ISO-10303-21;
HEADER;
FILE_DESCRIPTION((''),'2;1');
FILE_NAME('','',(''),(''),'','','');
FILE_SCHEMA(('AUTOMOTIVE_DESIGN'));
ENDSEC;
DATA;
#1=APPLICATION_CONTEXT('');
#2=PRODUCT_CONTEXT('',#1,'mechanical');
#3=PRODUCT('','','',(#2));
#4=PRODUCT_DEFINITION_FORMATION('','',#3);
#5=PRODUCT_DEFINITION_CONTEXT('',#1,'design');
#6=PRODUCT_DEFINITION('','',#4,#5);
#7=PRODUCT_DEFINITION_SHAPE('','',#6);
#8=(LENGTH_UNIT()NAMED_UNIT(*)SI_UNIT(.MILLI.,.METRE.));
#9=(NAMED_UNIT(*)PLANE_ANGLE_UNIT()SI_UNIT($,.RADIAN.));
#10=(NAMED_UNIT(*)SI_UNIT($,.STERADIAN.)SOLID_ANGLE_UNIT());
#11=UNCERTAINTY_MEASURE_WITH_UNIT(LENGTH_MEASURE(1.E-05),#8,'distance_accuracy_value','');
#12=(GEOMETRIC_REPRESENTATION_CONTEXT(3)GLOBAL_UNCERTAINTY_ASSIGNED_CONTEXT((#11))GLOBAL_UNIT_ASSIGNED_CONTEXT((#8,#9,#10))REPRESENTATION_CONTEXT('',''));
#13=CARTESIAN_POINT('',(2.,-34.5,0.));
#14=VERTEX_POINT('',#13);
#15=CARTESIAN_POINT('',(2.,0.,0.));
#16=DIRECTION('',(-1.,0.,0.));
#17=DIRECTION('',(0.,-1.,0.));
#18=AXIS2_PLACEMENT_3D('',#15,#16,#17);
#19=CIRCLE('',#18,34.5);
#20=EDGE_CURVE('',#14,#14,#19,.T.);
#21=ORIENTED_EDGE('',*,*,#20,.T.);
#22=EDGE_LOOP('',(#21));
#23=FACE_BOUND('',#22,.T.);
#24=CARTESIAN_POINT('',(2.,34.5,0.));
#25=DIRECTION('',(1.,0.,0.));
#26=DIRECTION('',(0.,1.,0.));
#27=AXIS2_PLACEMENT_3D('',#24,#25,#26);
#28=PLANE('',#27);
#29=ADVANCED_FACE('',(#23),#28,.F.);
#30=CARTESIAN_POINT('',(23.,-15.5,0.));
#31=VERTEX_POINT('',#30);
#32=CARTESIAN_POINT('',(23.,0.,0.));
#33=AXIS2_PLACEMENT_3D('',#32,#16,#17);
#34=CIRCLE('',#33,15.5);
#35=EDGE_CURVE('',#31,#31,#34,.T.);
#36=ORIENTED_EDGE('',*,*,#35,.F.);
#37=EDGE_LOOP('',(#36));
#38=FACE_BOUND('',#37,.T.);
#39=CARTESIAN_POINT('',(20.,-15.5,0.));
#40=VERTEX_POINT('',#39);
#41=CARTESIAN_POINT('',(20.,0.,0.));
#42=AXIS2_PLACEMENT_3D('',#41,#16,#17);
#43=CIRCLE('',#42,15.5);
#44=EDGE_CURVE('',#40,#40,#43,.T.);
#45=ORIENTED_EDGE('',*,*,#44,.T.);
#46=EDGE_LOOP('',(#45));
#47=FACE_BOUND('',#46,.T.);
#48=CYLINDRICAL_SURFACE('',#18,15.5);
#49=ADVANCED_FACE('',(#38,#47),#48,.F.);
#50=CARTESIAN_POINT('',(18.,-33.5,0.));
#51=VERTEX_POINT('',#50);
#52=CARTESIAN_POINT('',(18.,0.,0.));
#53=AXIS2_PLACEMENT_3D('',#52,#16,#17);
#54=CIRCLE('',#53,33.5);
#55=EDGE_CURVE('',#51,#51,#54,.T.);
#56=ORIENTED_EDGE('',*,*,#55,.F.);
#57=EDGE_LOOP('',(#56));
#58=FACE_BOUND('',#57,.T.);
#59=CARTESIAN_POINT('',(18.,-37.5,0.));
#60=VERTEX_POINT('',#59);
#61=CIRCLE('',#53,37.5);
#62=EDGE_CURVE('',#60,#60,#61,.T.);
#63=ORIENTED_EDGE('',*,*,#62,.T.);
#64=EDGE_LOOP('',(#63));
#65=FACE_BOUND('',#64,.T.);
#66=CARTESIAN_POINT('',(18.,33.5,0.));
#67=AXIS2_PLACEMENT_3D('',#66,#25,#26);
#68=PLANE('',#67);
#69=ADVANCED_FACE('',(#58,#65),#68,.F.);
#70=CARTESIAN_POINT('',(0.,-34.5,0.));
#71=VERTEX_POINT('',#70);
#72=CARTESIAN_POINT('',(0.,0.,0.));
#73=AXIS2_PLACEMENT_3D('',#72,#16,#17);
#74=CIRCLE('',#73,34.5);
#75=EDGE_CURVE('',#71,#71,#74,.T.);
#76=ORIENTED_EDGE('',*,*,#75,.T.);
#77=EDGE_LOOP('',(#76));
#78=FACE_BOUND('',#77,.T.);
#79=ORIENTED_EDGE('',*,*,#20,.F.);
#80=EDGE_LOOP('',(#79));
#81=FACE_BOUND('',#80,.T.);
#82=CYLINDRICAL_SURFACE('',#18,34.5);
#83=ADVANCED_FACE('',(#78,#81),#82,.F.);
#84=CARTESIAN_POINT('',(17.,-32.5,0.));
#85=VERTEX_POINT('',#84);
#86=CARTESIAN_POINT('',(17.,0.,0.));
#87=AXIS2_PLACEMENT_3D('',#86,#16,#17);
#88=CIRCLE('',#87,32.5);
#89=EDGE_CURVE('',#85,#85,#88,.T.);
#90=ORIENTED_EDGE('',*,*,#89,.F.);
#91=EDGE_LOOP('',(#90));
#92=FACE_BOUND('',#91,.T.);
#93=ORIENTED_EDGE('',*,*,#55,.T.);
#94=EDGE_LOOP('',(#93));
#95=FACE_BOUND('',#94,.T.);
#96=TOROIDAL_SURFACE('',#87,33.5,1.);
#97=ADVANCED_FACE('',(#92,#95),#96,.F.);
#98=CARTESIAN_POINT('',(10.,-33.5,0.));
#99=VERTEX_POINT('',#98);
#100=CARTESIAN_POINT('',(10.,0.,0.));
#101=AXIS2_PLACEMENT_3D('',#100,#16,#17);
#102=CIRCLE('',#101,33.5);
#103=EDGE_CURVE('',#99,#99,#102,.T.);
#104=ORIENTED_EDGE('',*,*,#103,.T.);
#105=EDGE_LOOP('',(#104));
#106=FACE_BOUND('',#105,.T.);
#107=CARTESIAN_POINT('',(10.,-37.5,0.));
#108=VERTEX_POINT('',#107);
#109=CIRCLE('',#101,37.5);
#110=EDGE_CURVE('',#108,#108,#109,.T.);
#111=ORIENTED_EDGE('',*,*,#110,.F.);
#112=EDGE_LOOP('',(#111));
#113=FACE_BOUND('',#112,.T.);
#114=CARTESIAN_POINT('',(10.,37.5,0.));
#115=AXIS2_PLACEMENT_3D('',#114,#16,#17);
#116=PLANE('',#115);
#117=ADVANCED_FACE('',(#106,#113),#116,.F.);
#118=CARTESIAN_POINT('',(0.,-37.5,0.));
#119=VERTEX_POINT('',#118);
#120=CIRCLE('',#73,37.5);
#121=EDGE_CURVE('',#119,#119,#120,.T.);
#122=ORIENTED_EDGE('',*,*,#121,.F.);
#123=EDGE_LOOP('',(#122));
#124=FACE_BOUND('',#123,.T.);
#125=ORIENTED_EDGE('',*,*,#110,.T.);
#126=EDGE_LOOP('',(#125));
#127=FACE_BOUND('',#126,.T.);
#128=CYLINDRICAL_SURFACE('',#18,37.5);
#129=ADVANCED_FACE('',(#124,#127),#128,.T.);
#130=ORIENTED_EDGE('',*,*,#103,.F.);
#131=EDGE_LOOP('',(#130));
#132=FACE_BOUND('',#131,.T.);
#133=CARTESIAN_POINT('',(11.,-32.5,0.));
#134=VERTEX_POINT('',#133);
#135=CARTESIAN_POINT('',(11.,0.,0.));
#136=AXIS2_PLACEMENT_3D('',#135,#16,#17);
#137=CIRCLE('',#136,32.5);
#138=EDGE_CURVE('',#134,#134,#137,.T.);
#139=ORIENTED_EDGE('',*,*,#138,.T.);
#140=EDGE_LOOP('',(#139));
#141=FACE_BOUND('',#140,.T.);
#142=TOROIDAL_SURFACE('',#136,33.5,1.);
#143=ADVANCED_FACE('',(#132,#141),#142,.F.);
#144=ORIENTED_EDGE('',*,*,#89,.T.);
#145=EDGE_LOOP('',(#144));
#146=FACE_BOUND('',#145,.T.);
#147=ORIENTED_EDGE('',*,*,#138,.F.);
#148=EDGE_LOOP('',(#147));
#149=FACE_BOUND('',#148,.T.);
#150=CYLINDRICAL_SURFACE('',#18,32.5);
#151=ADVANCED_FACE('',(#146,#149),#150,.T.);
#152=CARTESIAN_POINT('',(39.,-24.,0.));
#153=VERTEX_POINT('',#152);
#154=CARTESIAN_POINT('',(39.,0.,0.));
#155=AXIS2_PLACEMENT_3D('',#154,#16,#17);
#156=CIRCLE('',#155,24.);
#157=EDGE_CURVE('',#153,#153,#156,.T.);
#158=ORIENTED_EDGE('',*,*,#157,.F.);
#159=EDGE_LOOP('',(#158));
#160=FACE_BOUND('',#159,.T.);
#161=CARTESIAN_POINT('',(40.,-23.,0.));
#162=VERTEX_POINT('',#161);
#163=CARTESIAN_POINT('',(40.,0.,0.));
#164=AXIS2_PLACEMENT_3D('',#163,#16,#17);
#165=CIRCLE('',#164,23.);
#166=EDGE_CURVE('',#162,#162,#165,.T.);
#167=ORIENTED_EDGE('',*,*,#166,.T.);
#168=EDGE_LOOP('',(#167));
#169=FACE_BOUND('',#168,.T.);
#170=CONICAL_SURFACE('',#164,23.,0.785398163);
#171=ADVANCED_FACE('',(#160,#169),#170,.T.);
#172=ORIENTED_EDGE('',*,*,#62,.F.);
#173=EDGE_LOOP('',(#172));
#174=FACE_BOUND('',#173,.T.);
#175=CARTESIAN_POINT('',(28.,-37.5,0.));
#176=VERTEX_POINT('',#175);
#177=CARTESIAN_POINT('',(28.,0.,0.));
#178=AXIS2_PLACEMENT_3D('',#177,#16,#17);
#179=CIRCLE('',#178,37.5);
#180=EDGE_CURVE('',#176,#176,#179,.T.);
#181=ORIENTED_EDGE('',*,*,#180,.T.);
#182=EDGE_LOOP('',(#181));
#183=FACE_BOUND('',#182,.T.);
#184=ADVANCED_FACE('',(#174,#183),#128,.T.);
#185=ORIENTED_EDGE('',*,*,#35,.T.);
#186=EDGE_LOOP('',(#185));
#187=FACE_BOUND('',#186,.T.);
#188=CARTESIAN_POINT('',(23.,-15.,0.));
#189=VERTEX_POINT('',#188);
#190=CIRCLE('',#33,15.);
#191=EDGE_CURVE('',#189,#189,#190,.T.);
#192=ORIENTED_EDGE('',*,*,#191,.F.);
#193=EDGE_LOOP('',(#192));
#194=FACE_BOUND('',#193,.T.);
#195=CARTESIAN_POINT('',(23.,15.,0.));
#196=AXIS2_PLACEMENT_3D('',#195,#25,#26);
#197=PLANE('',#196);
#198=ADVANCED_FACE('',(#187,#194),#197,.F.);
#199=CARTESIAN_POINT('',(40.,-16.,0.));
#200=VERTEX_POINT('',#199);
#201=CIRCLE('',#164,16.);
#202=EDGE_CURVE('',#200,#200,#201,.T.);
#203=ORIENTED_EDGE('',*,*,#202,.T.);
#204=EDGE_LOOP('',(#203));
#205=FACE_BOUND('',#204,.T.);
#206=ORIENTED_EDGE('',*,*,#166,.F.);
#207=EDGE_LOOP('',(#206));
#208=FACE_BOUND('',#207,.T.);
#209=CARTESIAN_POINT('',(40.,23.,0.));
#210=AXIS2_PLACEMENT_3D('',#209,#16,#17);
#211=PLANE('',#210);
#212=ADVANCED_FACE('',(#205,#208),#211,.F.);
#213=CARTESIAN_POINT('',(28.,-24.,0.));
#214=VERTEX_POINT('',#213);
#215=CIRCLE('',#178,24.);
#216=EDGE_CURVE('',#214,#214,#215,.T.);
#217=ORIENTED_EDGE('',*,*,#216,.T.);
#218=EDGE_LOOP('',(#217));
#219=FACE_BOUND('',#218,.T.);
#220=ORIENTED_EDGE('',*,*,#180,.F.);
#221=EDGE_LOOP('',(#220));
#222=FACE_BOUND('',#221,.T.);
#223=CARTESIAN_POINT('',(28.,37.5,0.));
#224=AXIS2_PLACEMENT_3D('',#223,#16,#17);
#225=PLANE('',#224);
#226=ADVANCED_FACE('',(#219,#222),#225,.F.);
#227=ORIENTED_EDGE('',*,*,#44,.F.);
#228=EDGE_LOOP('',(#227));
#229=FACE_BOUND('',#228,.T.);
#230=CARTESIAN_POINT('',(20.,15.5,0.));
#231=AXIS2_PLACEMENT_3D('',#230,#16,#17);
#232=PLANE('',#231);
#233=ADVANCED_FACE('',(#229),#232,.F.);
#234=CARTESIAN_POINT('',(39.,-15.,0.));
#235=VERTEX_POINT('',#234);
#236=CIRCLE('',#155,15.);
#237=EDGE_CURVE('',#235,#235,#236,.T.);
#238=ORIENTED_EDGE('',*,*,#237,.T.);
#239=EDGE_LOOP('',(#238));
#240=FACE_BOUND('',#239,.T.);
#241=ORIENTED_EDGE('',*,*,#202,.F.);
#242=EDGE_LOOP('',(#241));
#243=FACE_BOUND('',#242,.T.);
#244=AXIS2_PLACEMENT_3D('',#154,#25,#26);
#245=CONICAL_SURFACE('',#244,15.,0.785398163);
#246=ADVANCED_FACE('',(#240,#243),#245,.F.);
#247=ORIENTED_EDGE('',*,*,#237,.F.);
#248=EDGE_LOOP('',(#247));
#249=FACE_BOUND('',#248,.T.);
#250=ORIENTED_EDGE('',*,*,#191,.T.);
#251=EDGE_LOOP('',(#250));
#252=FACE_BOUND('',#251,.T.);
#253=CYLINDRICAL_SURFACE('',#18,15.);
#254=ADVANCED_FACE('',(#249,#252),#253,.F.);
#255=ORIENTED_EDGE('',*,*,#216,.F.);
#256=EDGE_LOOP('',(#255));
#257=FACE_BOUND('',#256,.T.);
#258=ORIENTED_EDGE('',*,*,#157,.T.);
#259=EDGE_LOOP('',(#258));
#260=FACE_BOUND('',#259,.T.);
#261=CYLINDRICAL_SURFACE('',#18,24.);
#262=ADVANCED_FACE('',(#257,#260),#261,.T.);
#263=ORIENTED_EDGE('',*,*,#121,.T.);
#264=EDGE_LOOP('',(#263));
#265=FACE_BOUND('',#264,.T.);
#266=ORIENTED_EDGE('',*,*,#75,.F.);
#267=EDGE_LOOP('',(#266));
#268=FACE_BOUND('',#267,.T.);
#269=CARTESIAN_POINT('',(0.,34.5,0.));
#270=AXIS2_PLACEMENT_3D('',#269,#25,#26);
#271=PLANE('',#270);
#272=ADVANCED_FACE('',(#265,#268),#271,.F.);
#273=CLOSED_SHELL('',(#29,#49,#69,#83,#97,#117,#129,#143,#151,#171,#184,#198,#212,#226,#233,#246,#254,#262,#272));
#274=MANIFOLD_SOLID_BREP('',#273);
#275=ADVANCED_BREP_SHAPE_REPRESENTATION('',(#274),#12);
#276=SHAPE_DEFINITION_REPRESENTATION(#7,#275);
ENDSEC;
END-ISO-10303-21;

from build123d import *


with BuildPart() as part:
    # Эскиз1 → Повернуть1 (revolve)
    with BuildSketch(Plane.XY, mode=Mode.PRIVATE) as revolve_1_sk:
        with BuildLine():
            Line((0, 34.5), (0, 37.5))
            Line((0, 37.5), (10, 37.5))
            Line((10, 37.5), (10, 33.5))
            ThreePointArc((10, 33.5), (10.292893219, 32.792893219), (11, 32.5))
            Line((11, 32.5), (17, 32.5))
            ThreePointArc((17, 32.5), (17.707106781, 32.792893219), (18, 33.5))
            Line((18, 33.5), (18, 37.5))
            Line((18, 37.5), (28, 37.5))
            Line((28, 37.5), (28, 24))
            Line((28, 24), (39, 24))
            Line((39, 24), (40, 23))
            Line((40, 23), (40, 16))
            Line((40, 16), (39, 15))
            Line((39, 15), (23, 15))
            Line((23, 15), (23, 15.5))
            Line((23, 15.5), (20, 15.5))
            Line((20, 15.5), (20, 0))
            Line((20, 0), (2, 0))
            Line((2, 0), (2, 34.5))
            Line((2, 34.5), (0, 34.5))
        make_face()
    revolve(revolve_1_sk.sketch.rotate(Axis((2, 0, 0), (1, 0, 0)), 180), axis=Axis((2, 0, 0), (1, 0, 0)))


solid = part.part
